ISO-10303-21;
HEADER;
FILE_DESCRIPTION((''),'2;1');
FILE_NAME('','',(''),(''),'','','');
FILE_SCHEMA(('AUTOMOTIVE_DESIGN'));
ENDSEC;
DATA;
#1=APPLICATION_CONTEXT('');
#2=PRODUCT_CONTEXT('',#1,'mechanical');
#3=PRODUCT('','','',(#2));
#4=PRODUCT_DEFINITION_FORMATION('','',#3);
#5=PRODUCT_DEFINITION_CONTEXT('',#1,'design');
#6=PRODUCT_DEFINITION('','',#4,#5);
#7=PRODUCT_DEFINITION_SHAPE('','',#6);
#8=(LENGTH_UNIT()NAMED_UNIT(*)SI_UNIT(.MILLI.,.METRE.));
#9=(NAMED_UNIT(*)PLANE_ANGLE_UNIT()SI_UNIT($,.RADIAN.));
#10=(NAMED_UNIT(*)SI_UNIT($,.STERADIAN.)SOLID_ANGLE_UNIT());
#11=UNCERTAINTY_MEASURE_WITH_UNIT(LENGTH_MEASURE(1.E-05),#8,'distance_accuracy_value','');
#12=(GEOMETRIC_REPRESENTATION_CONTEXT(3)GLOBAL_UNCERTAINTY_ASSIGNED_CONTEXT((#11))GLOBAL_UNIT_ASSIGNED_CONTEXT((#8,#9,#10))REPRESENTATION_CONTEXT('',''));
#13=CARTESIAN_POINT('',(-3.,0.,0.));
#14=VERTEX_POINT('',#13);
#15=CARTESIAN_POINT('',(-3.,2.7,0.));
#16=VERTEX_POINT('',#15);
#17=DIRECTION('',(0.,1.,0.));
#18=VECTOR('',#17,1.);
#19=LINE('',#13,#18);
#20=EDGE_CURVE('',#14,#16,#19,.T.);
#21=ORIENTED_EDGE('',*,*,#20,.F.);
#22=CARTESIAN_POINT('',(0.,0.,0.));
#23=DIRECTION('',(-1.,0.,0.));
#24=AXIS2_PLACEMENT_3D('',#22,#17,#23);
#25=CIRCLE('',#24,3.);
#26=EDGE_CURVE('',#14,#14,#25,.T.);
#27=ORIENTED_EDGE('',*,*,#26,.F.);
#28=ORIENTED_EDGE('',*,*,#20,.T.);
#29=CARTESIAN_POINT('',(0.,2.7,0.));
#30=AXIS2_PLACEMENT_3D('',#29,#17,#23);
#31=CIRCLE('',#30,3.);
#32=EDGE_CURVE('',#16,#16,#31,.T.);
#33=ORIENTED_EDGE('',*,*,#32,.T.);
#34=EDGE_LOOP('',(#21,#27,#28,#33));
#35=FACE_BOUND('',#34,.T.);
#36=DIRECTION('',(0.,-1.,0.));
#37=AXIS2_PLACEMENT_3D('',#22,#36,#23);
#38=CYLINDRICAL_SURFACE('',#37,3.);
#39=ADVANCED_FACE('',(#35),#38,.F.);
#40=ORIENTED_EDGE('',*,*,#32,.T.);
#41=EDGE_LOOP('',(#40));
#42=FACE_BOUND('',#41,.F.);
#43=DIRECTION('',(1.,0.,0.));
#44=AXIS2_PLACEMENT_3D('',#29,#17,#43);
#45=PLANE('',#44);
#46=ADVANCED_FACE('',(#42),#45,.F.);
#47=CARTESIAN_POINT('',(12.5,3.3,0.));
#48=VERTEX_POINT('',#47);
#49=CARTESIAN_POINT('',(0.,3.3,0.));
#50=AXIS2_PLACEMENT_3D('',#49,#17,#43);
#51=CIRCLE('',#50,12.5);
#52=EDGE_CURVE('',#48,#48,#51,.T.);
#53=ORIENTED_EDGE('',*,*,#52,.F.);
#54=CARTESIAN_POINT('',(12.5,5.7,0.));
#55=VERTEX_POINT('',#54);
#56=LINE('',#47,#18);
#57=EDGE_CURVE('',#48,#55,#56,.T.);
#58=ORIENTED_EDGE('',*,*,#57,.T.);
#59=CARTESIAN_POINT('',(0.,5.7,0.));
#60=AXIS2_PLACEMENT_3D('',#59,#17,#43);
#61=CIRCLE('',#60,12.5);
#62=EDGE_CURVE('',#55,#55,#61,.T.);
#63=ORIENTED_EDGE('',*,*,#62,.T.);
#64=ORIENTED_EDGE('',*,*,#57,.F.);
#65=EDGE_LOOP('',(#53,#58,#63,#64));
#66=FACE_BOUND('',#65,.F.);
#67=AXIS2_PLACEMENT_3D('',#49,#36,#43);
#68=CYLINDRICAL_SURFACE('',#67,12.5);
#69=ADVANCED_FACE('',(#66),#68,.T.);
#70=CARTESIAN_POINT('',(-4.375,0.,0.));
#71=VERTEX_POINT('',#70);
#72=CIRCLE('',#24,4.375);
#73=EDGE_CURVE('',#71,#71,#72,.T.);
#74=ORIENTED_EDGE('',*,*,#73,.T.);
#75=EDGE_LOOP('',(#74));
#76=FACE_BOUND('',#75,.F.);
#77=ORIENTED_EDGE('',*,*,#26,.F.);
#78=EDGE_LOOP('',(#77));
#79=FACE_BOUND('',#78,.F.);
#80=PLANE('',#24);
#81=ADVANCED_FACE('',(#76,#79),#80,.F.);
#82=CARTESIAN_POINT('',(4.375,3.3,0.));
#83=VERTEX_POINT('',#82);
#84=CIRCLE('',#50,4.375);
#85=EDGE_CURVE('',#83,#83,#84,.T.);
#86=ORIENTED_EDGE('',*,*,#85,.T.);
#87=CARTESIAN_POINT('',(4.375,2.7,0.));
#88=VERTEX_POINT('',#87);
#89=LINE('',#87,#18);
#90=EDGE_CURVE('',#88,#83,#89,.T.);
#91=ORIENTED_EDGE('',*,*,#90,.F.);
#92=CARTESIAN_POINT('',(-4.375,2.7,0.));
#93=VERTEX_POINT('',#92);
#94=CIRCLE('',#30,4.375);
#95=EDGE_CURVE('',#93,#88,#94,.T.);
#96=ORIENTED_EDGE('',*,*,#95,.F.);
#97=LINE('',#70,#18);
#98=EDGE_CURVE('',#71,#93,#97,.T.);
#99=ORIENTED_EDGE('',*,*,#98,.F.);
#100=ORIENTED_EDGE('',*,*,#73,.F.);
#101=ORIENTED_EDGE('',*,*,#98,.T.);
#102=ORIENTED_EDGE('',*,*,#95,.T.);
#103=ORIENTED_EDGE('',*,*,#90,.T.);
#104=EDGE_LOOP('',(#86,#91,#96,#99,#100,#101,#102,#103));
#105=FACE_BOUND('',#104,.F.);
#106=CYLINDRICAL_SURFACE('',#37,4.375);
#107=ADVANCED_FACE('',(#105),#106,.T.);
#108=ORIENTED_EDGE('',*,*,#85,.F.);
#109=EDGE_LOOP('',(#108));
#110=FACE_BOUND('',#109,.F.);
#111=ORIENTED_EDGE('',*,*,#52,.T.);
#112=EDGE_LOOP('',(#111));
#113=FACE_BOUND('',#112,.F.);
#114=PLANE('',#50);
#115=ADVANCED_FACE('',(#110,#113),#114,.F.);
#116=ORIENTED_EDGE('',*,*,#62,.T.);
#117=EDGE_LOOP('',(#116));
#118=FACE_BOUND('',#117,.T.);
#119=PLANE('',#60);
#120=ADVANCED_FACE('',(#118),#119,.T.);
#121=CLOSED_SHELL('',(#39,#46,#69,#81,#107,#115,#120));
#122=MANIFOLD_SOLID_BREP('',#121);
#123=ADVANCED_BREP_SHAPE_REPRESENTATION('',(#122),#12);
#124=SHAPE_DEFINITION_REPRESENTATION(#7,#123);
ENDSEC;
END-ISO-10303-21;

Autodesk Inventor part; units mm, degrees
ref_plane "YZ Plane" through (0, 0, 0) normal (1, 0, 0) x (0, 1, 0)
ref_plane "XZ Plane" through (0, 0, 0) normal (0, 1, 0) x (-1, 0, 0)
ref_plane "XY Plane" through (0, 0, 0) normal (0, 0, 1) x (1, 0, 0)
sketch "Sketch1" plane through (0, 0, 0) normal (0, 1, 0) x (-1, 0, 0)
  circle A0 centre (0, 0) radius 3
  circle A1 centre (0, 0) radius 4.375
  dimension "d0" = 6
  dimension "d1" = 8.75
extrude "Extrusion1" add sketch "Sketch1" along normal blind 2.7
sketch "Sketch2" plane through (0, 2.7, 0) normal (0, 1, 0) x (1, 0, 0)
  circle A0 centre (0, 0) radius 3 projected
  circle A1 centre (0, 0) radius 4.375
extrude "Extrusion2" add sketch "Sketch2" along normal blind 0.6 contours A0 | A1
sketch "Sketch3" plane through (0, 3.3, 0) normal (0, 1, 0) x (1, 0, 0)
  circle A0 centre (0, 0) radius 12.5
  dimension "d9" = 25
extrude "Extrusion3" add sketch "Sketch3" along normal blind 2.4
properties part number "Estella Servo1"
